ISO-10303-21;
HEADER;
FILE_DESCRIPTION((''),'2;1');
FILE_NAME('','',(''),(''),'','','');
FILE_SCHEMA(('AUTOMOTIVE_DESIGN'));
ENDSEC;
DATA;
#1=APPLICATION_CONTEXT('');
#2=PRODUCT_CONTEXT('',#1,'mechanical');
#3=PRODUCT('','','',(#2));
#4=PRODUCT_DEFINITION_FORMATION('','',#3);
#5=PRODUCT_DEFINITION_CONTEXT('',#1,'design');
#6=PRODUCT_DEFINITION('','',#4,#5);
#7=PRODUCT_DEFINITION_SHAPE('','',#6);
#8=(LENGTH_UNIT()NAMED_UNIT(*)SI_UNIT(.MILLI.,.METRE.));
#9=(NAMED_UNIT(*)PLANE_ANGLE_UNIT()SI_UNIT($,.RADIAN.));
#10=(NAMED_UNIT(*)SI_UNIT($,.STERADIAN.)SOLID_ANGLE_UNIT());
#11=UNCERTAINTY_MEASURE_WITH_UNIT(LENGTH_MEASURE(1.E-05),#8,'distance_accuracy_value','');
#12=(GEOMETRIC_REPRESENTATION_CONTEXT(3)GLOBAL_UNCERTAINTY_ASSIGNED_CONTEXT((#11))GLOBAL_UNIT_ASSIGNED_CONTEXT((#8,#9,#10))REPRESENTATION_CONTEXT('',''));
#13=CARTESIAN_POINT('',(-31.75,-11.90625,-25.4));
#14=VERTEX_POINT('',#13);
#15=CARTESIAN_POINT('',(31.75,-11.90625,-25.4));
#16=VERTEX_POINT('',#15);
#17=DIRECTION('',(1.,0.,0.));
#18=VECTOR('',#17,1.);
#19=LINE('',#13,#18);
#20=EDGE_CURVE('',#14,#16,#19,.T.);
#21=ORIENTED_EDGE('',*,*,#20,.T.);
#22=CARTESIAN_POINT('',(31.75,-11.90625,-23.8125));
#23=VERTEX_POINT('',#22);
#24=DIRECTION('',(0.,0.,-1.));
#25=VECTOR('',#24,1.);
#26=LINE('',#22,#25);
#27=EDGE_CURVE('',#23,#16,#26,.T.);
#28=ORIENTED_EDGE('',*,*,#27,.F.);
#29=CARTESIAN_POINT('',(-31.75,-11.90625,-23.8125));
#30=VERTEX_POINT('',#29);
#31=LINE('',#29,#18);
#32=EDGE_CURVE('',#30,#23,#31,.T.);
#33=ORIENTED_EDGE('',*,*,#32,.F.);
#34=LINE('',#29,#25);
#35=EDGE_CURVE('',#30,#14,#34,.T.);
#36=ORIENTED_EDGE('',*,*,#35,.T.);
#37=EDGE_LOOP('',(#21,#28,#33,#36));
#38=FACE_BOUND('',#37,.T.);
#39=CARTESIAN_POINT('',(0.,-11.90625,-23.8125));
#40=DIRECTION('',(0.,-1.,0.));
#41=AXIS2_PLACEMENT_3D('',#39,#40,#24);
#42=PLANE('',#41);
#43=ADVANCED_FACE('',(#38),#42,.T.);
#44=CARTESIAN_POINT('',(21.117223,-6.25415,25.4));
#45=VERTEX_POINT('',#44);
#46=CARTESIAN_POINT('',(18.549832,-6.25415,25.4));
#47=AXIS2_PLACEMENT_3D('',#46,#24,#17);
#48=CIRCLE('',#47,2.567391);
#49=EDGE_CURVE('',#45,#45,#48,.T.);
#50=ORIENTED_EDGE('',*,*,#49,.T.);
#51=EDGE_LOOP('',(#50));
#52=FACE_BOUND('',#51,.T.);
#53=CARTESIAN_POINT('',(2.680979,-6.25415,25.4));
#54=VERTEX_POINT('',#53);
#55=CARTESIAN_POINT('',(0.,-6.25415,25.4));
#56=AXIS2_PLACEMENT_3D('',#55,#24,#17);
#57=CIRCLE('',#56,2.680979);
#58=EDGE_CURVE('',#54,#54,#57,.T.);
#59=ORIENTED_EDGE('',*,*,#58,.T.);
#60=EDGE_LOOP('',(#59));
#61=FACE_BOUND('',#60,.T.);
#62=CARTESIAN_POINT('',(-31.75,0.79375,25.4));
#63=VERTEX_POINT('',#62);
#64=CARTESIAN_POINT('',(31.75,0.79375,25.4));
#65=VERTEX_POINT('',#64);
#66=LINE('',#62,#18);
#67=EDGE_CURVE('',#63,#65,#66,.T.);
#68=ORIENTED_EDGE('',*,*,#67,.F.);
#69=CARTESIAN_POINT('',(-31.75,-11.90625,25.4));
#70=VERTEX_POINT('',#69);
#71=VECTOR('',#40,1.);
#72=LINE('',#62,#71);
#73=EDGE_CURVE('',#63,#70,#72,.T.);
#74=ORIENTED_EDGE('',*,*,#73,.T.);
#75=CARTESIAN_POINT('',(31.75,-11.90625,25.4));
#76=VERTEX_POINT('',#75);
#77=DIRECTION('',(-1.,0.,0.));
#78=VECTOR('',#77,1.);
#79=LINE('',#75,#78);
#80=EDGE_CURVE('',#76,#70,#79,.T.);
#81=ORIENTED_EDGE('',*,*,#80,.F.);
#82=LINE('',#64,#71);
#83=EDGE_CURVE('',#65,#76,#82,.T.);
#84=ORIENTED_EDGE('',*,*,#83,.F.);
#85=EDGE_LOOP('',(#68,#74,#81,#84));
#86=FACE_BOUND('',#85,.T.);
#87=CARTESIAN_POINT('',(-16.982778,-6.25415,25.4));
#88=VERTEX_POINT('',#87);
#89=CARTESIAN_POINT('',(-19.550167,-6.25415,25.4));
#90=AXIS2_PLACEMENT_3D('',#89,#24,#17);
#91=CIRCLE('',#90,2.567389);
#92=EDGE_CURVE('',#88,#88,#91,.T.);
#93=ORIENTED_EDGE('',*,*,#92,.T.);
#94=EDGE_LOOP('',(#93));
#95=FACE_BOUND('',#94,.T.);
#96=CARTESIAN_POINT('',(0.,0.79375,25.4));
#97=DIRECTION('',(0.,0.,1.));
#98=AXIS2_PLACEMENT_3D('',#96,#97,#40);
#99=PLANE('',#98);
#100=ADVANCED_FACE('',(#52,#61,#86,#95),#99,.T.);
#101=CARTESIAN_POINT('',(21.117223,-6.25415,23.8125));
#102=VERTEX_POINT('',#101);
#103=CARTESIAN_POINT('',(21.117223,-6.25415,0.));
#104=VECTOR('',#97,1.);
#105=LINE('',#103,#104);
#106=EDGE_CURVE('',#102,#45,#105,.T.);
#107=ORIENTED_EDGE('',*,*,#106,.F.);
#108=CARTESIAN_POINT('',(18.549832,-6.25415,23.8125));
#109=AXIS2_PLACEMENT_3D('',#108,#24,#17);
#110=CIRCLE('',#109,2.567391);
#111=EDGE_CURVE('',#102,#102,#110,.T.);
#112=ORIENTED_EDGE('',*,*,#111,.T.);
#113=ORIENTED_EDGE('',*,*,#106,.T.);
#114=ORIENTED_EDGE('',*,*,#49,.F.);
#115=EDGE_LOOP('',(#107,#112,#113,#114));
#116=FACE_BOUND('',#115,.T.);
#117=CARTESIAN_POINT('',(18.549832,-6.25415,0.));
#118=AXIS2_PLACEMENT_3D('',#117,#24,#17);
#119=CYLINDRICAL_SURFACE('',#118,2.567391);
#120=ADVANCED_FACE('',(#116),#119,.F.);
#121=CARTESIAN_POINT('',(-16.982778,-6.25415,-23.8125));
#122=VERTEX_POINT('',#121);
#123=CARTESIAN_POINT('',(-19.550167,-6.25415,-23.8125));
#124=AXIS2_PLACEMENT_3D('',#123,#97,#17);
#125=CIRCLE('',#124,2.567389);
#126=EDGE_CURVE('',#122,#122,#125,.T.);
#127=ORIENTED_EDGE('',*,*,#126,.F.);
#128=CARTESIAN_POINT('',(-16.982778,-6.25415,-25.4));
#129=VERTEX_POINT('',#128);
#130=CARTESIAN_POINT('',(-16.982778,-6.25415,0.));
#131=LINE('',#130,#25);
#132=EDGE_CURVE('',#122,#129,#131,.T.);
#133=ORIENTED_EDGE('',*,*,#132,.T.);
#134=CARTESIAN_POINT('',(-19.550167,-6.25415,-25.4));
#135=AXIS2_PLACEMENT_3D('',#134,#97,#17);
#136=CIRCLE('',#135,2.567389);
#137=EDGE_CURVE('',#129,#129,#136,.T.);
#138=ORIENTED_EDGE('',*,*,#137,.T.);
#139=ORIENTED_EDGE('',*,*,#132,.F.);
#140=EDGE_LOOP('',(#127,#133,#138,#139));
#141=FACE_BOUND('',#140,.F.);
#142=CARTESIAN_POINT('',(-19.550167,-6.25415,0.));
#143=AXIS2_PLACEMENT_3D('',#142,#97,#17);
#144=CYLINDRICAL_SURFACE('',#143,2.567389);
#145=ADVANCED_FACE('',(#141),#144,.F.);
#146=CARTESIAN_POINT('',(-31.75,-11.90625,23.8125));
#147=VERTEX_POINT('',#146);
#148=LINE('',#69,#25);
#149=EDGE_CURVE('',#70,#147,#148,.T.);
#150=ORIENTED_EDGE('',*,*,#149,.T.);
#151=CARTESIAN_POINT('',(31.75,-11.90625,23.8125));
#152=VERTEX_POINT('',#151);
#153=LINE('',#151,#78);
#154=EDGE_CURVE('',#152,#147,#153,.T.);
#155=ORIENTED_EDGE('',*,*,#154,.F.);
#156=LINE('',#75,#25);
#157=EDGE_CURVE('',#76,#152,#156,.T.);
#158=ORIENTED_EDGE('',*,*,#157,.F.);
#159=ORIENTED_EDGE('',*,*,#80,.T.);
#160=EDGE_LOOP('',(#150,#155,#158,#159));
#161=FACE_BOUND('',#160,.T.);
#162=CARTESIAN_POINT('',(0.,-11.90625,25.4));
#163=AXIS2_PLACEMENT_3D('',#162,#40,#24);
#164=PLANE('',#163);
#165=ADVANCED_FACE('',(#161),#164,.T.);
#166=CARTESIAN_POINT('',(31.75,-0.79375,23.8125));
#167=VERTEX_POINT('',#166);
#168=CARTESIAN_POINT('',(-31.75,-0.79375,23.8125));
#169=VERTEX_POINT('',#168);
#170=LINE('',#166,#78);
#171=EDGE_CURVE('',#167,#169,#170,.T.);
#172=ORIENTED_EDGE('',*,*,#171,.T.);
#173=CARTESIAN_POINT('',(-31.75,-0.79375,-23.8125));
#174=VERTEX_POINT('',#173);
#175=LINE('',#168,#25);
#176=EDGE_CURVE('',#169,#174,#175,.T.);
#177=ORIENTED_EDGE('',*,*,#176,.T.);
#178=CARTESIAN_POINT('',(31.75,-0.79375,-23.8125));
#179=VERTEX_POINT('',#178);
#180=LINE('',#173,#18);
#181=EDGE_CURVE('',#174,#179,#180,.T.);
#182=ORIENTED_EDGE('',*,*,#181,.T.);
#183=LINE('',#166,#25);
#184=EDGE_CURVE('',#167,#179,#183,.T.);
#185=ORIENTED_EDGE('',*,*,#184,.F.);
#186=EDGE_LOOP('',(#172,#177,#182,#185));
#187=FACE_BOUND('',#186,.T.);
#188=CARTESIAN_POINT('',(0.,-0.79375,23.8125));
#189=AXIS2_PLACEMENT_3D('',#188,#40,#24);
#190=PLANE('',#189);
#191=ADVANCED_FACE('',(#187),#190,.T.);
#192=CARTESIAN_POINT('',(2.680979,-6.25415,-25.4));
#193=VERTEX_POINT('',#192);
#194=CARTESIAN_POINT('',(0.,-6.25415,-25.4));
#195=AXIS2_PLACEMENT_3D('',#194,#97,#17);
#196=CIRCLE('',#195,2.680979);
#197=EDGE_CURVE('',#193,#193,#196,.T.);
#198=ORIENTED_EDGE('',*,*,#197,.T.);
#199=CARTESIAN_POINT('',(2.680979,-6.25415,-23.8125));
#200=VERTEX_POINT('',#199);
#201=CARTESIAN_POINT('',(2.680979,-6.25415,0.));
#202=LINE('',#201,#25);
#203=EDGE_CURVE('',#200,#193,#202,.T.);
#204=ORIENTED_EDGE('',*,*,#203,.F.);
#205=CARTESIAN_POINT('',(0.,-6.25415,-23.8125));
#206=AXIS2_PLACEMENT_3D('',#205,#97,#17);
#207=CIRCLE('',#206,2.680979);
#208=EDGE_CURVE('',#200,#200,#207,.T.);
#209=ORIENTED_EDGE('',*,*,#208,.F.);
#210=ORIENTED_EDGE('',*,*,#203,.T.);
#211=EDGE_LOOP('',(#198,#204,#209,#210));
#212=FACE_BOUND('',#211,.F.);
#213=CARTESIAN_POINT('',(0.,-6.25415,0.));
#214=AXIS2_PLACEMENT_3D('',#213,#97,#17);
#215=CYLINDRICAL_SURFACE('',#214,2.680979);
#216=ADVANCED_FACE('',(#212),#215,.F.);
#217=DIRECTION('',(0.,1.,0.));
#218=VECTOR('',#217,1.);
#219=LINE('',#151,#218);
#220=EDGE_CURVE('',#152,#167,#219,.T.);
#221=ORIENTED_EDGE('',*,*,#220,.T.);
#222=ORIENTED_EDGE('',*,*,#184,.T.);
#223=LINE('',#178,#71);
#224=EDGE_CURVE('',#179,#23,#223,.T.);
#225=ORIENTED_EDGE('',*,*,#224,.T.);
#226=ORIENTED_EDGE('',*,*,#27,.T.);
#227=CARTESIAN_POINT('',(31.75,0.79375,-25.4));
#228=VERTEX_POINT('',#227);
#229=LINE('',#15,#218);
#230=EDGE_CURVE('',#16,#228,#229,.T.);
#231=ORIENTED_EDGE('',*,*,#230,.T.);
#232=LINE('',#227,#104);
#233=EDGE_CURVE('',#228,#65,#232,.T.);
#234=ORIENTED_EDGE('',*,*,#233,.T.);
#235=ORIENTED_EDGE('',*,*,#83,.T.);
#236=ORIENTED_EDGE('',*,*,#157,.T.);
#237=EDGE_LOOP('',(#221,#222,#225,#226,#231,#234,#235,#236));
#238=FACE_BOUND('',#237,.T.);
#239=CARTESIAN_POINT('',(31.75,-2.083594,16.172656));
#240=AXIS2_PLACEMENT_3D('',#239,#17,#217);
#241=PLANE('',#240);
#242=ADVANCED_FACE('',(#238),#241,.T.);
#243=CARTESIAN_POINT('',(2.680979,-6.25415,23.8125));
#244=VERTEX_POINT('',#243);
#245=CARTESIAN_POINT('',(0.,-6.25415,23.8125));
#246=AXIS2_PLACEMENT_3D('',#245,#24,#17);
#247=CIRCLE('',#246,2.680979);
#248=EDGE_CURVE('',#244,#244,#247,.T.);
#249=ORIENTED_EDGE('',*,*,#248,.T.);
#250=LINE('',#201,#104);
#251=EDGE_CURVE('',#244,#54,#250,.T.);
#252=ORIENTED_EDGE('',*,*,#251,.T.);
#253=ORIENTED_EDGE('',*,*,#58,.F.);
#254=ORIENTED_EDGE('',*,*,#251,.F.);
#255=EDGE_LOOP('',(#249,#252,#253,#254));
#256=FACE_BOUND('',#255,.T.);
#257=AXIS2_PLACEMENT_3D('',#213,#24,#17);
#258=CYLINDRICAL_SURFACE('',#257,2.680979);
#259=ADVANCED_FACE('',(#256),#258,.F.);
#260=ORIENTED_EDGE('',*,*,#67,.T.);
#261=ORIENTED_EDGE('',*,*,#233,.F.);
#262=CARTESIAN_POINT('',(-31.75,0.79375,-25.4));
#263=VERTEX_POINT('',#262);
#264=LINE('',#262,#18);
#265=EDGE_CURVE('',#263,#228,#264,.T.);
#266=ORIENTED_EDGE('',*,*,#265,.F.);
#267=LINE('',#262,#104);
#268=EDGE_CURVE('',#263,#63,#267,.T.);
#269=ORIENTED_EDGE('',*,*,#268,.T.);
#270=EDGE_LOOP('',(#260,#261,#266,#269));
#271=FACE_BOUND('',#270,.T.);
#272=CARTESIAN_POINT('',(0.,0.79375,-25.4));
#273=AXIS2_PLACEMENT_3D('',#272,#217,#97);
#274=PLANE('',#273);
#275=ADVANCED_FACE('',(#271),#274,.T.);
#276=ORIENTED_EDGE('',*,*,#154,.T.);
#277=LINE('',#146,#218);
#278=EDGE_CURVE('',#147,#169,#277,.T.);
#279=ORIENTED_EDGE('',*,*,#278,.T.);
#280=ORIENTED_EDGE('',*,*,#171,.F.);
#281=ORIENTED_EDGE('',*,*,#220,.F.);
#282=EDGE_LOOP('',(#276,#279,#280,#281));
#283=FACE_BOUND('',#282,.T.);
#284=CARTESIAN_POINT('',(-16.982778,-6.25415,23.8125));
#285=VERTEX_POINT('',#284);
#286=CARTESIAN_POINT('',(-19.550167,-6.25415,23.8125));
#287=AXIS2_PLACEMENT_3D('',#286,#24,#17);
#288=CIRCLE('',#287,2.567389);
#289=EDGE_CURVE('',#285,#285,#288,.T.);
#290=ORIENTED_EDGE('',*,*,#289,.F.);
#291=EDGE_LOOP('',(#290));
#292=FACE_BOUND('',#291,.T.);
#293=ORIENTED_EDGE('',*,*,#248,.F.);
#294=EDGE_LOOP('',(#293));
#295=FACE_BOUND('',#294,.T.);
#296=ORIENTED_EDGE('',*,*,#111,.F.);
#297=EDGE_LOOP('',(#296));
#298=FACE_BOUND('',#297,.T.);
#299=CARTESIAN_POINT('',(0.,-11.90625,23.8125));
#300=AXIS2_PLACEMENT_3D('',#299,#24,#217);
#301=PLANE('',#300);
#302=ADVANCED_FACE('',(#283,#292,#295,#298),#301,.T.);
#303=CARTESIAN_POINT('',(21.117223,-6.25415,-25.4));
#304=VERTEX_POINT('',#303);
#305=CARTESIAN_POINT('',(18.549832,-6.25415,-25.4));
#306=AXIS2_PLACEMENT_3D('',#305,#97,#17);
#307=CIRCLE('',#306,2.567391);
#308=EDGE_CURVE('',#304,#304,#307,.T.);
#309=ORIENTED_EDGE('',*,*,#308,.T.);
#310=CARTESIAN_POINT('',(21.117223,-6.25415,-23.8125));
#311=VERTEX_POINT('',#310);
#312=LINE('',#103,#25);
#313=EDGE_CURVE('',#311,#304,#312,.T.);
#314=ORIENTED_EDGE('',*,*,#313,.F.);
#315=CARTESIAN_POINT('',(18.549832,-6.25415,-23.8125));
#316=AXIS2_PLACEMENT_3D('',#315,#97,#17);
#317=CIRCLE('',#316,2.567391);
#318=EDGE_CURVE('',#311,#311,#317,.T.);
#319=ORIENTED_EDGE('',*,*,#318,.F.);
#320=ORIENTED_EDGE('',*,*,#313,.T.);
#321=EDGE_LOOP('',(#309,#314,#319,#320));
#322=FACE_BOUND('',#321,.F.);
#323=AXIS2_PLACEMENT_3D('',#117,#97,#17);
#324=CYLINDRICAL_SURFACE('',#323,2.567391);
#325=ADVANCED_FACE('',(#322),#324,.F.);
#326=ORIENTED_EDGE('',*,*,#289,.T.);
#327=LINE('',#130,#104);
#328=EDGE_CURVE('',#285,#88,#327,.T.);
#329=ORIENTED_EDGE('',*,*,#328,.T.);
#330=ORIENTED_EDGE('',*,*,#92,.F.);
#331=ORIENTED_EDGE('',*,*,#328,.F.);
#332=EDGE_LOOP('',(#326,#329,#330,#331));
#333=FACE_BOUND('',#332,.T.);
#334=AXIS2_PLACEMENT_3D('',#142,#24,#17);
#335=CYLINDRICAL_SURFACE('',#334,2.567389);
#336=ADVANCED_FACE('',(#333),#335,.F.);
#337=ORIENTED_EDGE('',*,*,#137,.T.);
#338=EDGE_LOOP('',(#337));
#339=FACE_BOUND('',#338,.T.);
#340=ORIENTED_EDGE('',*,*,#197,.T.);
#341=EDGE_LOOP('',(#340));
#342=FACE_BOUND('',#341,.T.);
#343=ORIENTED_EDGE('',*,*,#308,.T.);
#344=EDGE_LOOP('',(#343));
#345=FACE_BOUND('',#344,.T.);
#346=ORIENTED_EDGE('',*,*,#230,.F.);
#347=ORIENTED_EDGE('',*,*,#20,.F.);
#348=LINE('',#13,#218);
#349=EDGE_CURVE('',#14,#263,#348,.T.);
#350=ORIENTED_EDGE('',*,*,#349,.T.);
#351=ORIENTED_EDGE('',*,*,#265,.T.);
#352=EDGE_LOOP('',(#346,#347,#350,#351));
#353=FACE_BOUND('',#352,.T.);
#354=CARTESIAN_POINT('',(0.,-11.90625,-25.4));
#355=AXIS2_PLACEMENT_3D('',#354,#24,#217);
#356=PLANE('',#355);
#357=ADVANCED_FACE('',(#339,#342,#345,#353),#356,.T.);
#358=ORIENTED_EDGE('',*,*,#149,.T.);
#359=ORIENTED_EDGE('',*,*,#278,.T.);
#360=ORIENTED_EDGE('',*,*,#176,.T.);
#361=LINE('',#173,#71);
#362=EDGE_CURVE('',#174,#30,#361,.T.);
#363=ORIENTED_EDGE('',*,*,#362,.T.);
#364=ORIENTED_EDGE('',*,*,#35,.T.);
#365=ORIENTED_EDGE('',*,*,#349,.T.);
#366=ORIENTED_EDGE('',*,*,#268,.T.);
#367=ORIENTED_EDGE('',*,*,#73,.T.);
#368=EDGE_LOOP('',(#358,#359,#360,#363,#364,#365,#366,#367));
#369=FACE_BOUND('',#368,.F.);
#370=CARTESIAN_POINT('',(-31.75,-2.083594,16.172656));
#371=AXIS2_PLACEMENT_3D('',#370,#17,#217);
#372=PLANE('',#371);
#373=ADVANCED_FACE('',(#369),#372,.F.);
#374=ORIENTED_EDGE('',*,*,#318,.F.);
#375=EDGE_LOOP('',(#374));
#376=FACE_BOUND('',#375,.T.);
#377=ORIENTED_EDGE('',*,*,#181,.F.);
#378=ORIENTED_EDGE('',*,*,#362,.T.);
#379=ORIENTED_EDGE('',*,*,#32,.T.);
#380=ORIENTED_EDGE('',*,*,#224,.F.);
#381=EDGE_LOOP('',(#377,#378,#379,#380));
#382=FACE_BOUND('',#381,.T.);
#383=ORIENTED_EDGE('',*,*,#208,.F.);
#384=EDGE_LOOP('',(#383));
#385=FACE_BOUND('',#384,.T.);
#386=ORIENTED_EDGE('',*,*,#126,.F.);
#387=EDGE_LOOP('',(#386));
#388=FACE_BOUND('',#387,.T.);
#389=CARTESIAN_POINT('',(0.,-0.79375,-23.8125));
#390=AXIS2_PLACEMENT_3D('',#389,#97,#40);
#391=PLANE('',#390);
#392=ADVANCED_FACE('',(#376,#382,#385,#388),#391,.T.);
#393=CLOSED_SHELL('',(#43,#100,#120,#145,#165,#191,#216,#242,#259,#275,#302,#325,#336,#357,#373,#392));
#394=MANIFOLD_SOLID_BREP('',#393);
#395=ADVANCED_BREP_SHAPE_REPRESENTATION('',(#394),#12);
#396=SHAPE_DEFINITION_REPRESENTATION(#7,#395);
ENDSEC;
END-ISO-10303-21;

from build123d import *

# Parameters (mm, degrees)
F1_DEPTH      = 31.75
F2_R          = 2.6809788516
F2_R_2        = 2.5673909314
F2_R_3        = 2.5673893519
F3_DEPTH      = 25.401
F3_DEPTH_BACK = 25.401


with BuildPart() as f1:
    # F0 (on Right) → F1 (new body, symmetric)
    with BuildSketch(Plane.YZ):
        Polygon((-0.79375, 23.8125), (-0.79375, 0), (0, 0), (0.79375, 0), (0.79375, 25.4), (-11.90625, 25.4), (-11.90625, 23.8125), align=None)
        Polygon((0, 0), (-0.79375, 0), (-0.79375, -23.8125), (-11.90625, -23.8125), (-11.90625, -25.4), (0.79375, -25.4), (0.79375, 0), align=None)
    extrude(amount=F1_DEPTH, both=True)

    # F2 (on Top) → F3 (cut, two sides)
    with BuildSketch(Plane.XY) as f3_sk:
        with Locations((0, -6.2541500665)):
            Circle(F2_R)
        with Locations((18.5498315841, -6.2541500665)):
            Circle(F2_R_2)
        with Locations((-19.5501670241, -6.2541500665)):
            Circle(F2_R_3)
    extrude(amount=-F3_DEPTH, mode=Mode.SUBTRACT)
    extrude(f3_sk.sketch, amount=F3_DEPTH_BACK, mode=Mode.SUBTRACT)


solid = f1.part
